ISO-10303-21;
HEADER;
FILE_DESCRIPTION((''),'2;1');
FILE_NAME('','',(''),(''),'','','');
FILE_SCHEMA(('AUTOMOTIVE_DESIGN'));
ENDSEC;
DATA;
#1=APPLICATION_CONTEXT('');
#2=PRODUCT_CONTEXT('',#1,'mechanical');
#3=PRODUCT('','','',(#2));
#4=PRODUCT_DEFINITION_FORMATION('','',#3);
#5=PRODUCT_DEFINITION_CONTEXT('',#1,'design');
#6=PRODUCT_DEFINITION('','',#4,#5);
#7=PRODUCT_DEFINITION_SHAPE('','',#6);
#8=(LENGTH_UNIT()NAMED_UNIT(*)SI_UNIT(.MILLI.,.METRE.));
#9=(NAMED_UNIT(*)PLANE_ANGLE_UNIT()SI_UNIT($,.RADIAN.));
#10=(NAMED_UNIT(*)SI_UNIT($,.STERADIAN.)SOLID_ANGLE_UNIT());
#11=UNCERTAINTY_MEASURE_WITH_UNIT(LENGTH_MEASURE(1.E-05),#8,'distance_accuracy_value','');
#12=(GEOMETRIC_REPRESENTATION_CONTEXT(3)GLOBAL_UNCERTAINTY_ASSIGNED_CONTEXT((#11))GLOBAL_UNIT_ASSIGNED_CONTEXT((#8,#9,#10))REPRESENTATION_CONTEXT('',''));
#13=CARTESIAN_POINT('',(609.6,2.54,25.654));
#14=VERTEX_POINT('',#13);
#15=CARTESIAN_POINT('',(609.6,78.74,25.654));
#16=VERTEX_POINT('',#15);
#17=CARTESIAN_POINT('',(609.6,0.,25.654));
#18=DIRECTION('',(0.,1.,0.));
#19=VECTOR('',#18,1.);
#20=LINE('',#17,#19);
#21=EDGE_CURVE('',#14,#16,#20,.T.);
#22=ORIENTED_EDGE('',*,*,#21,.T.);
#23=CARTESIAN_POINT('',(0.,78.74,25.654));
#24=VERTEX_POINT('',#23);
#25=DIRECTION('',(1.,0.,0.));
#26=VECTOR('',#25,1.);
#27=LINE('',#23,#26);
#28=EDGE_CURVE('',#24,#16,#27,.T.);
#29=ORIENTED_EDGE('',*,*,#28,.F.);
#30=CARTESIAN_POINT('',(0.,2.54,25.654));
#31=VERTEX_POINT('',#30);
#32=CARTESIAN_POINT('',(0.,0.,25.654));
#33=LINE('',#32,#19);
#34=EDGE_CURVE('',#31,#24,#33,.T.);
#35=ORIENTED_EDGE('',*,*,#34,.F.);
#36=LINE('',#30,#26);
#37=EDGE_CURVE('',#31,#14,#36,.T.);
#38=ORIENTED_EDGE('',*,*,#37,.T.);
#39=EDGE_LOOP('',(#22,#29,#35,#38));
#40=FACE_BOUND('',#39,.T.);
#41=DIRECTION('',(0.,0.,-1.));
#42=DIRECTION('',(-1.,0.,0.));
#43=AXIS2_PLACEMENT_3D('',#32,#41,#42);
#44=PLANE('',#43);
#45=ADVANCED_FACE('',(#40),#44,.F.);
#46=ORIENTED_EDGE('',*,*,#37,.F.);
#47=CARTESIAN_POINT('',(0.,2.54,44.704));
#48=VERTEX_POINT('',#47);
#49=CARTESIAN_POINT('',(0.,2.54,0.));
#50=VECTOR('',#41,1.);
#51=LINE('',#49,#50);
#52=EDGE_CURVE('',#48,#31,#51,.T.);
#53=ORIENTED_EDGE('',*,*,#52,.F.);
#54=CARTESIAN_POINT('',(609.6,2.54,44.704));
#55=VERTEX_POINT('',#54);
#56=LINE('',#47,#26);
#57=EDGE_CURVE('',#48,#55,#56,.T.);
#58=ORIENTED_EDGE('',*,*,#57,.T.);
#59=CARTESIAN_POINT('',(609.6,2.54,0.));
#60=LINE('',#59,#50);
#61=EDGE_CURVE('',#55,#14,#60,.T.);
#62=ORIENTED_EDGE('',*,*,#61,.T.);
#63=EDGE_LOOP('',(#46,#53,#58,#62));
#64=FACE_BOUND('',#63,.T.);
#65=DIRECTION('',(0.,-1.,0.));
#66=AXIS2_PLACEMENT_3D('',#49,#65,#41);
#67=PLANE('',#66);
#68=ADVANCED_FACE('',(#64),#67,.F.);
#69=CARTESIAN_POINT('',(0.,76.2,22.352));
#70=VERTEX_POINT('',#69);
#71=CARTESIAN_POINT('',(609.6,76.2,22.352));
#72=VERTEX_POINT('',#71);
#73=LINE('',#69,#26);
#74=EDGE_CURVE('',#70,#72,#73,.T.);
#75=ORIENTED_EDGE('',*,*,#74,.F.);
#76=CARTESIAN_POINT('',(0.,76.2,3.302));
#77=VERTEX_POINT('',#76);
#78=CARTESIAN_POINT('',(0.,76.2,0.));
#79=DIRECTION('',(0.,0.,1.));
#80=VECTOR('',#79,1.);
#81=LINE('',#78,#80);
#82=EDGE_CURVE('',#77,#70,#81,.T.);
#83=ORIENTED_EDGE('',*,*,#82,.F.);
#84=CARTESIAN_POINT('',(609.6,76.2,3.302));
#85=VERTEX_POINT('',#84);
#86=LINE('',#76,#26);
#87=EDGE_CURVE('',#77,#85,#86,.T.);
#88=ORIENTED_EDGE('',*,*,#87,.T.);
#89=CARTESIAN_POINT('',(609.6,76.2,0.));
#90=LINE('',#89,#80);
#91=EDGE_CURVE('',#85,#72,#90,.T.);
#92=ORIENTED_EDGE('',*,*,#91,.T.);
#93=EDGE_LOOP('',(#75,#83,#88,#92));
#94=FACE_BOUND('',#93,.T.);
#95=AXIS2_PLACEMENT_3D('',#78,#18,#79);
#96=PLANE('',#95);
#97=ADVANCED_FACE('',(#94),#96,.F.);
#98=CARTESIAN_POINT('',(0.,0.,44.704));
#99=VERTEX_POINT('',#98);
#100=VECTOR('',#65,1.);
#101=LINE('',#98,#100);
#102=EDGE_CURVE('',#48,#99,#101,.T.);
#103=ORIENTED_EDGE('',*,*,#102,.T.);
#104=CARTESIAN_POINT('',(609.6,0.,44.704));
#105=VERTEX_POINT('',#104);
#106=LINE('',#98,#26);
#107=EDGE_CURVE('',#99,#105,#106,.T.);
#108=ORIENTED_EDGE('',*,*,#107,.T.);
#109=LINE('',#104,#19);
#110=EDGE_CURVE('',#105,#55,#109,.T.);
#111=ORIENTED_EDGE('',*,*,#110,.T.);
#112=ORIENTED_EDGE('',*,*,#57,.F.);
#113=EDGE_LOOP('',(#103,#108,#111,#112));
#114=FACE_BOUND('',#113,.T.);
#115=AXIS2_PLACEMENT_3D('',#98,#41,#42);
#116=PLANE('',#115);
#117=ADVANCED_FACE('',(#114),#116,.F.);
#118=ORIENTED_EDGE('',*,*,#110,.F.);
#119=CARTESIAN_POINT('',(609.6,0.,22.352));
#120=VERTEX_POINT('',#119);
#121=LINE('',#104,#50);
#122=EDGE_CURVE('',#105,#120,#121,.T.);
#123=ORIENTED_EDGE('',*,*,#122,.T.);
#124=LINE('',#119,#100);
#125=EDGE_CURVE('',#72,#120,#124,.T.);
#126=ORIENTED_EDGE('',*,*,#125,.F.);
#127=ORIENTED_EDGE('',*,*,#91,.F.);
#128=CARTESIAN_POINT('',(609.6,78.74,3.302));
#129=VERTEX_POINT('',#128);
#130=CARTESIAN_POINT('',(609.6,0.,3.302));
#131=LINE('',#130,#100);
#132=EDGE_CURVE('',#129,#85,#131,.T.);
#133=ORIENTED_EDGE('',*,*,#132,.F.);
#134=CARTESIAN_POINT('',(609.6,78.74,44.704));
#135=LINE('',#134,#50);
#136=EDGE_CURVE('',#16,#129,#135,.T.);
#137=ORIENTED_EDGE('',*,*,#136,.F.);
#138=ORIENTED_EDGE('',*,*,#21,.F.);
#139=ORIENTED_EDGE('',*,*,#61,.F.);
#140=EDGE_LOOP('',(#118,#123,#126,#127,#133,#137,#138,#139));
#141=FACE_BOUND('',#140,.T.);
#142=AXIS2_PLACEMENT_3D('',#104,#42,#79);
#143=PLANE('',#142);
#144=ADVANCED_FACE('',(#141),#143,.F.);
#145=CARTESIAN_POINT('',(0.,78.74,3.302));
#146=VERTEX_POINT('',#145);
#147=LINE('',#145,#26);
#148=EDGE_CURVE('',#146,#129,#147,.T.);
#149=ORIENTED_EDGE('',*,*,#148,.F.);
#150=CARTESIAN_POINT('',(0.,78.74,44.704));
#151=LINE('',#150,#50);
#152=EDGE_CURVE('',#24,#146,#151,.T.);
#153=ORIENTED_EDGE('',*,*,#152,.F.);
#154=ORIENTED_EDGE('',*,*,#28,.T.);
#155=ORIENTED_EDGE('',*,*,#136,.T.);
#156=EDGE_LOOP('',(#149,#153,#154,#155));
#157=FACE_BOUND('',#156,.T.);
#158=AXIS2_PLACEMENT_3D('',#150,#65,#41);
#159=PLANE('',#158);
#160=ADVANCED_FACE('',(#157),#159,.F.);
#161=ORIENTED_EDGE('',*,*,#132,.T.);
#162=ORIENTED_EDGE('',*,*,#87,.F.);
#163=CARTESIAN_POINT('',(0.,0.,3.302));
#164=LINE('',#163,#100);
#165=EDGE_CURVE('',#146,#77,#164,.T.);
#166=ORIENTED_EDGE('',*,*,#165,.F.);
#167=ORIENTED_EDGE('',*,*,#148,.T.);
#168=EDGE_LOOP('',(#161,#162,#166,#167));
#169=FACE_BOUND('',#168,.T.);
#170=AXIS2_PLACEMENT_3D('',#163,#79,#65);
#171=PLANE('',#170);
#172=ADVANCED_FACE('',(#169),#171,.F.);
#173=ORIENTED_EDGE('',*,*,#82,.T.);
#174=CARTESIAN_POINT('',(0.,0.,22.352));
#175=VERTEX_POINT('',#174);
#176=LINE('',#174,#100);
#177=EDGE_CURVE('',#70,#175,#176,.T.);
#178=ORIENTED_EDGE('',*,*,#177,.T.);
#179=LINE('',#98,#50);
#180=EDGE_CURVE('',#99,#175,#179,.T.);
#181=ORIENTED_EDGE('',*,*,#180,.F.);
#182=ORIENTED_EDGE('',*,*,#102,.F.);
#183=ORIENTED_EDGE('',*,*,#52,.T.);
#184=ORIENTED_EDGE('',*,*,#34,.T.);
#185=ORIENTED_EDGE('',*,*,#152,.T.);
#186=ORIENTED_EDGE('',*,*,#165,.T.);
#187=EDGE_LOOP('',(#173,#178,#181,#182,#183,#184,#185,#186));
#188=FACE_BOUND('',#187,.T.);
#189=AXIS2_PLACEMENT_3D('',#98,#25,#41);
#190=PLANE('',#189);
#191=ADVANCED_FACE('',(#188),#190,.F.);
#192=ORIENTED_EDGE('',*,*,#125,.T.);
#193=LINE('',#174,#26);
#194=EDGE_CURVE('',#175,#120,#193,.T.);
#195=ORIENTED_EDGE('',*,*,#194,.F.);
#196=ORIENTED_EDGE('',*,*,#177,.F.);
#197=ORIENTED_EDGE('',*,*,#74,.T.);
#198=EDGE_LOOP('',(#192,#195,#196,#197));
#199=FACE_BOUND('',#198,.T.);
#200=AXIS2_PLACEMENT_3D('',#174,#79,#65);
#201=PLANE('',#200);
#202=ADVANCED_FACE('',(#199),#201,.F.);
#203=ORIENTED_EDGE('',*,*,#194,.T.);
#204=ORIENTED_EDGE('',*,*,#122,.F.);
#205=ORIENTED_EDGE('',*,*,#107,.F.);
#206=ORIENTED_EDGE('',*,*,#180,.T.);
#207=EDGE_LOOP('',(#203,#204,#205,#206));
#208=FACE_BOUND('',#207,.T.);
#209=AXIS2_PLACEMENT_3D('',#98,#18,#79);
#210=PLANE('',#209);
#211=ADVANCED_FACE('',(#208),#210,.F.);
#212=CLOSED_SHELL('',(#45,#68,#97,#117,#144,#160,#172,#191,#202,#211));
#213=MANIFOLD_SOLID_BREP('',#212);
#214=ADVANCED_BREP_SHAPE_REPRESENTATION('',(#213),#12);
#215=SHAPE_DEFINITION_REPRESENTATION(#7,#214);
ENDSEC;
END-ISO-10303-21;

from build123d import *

# Parameters (mm, degrees)
SKETCH2_W           = 609.6
SKETCH2_H           = 78.74
BOSS_EXTRUDE1_DEPTH = 44.704
SKETCH4_W           = 19.05
SKETCH4_H           = 76.2
CUT_EXTRUDE1_DEPTH  = 617.287753583


with BuildPart() as part:
    # Sketch2 → Boss-Extrude1 (new body)
    with BuildSketch(Plane.XY):
        with Locations((304.8, 39.37)):
            Rectangle(SKETCH2_W, SKETCH2_H)
    extrude(amount=BOSS_EXTRUDE1_DEPTH)

    # Sketch4 → Cut-Extrude1 (cut, through all)
    with BuildSketch(Plane(origin=(609.6, 0, 0), x_dir=(0, 0, -1), z_dir=(1, 0, 0))):
        with Locations((-35.179, 40.64)):
            Rectangle(SKETCH4_W, SKETCH4_H)
        Polygon((0, 78.74), (-3.302, 78.74), (-3.302, 76.2), (-22.352, 76.2), (-22.352, 0), (0, 0), align=None)
    extrude(amount=-CUT_EXTRUDE1_DEPTH, mode=Mode.SUBTRACT)


solid = part.part
